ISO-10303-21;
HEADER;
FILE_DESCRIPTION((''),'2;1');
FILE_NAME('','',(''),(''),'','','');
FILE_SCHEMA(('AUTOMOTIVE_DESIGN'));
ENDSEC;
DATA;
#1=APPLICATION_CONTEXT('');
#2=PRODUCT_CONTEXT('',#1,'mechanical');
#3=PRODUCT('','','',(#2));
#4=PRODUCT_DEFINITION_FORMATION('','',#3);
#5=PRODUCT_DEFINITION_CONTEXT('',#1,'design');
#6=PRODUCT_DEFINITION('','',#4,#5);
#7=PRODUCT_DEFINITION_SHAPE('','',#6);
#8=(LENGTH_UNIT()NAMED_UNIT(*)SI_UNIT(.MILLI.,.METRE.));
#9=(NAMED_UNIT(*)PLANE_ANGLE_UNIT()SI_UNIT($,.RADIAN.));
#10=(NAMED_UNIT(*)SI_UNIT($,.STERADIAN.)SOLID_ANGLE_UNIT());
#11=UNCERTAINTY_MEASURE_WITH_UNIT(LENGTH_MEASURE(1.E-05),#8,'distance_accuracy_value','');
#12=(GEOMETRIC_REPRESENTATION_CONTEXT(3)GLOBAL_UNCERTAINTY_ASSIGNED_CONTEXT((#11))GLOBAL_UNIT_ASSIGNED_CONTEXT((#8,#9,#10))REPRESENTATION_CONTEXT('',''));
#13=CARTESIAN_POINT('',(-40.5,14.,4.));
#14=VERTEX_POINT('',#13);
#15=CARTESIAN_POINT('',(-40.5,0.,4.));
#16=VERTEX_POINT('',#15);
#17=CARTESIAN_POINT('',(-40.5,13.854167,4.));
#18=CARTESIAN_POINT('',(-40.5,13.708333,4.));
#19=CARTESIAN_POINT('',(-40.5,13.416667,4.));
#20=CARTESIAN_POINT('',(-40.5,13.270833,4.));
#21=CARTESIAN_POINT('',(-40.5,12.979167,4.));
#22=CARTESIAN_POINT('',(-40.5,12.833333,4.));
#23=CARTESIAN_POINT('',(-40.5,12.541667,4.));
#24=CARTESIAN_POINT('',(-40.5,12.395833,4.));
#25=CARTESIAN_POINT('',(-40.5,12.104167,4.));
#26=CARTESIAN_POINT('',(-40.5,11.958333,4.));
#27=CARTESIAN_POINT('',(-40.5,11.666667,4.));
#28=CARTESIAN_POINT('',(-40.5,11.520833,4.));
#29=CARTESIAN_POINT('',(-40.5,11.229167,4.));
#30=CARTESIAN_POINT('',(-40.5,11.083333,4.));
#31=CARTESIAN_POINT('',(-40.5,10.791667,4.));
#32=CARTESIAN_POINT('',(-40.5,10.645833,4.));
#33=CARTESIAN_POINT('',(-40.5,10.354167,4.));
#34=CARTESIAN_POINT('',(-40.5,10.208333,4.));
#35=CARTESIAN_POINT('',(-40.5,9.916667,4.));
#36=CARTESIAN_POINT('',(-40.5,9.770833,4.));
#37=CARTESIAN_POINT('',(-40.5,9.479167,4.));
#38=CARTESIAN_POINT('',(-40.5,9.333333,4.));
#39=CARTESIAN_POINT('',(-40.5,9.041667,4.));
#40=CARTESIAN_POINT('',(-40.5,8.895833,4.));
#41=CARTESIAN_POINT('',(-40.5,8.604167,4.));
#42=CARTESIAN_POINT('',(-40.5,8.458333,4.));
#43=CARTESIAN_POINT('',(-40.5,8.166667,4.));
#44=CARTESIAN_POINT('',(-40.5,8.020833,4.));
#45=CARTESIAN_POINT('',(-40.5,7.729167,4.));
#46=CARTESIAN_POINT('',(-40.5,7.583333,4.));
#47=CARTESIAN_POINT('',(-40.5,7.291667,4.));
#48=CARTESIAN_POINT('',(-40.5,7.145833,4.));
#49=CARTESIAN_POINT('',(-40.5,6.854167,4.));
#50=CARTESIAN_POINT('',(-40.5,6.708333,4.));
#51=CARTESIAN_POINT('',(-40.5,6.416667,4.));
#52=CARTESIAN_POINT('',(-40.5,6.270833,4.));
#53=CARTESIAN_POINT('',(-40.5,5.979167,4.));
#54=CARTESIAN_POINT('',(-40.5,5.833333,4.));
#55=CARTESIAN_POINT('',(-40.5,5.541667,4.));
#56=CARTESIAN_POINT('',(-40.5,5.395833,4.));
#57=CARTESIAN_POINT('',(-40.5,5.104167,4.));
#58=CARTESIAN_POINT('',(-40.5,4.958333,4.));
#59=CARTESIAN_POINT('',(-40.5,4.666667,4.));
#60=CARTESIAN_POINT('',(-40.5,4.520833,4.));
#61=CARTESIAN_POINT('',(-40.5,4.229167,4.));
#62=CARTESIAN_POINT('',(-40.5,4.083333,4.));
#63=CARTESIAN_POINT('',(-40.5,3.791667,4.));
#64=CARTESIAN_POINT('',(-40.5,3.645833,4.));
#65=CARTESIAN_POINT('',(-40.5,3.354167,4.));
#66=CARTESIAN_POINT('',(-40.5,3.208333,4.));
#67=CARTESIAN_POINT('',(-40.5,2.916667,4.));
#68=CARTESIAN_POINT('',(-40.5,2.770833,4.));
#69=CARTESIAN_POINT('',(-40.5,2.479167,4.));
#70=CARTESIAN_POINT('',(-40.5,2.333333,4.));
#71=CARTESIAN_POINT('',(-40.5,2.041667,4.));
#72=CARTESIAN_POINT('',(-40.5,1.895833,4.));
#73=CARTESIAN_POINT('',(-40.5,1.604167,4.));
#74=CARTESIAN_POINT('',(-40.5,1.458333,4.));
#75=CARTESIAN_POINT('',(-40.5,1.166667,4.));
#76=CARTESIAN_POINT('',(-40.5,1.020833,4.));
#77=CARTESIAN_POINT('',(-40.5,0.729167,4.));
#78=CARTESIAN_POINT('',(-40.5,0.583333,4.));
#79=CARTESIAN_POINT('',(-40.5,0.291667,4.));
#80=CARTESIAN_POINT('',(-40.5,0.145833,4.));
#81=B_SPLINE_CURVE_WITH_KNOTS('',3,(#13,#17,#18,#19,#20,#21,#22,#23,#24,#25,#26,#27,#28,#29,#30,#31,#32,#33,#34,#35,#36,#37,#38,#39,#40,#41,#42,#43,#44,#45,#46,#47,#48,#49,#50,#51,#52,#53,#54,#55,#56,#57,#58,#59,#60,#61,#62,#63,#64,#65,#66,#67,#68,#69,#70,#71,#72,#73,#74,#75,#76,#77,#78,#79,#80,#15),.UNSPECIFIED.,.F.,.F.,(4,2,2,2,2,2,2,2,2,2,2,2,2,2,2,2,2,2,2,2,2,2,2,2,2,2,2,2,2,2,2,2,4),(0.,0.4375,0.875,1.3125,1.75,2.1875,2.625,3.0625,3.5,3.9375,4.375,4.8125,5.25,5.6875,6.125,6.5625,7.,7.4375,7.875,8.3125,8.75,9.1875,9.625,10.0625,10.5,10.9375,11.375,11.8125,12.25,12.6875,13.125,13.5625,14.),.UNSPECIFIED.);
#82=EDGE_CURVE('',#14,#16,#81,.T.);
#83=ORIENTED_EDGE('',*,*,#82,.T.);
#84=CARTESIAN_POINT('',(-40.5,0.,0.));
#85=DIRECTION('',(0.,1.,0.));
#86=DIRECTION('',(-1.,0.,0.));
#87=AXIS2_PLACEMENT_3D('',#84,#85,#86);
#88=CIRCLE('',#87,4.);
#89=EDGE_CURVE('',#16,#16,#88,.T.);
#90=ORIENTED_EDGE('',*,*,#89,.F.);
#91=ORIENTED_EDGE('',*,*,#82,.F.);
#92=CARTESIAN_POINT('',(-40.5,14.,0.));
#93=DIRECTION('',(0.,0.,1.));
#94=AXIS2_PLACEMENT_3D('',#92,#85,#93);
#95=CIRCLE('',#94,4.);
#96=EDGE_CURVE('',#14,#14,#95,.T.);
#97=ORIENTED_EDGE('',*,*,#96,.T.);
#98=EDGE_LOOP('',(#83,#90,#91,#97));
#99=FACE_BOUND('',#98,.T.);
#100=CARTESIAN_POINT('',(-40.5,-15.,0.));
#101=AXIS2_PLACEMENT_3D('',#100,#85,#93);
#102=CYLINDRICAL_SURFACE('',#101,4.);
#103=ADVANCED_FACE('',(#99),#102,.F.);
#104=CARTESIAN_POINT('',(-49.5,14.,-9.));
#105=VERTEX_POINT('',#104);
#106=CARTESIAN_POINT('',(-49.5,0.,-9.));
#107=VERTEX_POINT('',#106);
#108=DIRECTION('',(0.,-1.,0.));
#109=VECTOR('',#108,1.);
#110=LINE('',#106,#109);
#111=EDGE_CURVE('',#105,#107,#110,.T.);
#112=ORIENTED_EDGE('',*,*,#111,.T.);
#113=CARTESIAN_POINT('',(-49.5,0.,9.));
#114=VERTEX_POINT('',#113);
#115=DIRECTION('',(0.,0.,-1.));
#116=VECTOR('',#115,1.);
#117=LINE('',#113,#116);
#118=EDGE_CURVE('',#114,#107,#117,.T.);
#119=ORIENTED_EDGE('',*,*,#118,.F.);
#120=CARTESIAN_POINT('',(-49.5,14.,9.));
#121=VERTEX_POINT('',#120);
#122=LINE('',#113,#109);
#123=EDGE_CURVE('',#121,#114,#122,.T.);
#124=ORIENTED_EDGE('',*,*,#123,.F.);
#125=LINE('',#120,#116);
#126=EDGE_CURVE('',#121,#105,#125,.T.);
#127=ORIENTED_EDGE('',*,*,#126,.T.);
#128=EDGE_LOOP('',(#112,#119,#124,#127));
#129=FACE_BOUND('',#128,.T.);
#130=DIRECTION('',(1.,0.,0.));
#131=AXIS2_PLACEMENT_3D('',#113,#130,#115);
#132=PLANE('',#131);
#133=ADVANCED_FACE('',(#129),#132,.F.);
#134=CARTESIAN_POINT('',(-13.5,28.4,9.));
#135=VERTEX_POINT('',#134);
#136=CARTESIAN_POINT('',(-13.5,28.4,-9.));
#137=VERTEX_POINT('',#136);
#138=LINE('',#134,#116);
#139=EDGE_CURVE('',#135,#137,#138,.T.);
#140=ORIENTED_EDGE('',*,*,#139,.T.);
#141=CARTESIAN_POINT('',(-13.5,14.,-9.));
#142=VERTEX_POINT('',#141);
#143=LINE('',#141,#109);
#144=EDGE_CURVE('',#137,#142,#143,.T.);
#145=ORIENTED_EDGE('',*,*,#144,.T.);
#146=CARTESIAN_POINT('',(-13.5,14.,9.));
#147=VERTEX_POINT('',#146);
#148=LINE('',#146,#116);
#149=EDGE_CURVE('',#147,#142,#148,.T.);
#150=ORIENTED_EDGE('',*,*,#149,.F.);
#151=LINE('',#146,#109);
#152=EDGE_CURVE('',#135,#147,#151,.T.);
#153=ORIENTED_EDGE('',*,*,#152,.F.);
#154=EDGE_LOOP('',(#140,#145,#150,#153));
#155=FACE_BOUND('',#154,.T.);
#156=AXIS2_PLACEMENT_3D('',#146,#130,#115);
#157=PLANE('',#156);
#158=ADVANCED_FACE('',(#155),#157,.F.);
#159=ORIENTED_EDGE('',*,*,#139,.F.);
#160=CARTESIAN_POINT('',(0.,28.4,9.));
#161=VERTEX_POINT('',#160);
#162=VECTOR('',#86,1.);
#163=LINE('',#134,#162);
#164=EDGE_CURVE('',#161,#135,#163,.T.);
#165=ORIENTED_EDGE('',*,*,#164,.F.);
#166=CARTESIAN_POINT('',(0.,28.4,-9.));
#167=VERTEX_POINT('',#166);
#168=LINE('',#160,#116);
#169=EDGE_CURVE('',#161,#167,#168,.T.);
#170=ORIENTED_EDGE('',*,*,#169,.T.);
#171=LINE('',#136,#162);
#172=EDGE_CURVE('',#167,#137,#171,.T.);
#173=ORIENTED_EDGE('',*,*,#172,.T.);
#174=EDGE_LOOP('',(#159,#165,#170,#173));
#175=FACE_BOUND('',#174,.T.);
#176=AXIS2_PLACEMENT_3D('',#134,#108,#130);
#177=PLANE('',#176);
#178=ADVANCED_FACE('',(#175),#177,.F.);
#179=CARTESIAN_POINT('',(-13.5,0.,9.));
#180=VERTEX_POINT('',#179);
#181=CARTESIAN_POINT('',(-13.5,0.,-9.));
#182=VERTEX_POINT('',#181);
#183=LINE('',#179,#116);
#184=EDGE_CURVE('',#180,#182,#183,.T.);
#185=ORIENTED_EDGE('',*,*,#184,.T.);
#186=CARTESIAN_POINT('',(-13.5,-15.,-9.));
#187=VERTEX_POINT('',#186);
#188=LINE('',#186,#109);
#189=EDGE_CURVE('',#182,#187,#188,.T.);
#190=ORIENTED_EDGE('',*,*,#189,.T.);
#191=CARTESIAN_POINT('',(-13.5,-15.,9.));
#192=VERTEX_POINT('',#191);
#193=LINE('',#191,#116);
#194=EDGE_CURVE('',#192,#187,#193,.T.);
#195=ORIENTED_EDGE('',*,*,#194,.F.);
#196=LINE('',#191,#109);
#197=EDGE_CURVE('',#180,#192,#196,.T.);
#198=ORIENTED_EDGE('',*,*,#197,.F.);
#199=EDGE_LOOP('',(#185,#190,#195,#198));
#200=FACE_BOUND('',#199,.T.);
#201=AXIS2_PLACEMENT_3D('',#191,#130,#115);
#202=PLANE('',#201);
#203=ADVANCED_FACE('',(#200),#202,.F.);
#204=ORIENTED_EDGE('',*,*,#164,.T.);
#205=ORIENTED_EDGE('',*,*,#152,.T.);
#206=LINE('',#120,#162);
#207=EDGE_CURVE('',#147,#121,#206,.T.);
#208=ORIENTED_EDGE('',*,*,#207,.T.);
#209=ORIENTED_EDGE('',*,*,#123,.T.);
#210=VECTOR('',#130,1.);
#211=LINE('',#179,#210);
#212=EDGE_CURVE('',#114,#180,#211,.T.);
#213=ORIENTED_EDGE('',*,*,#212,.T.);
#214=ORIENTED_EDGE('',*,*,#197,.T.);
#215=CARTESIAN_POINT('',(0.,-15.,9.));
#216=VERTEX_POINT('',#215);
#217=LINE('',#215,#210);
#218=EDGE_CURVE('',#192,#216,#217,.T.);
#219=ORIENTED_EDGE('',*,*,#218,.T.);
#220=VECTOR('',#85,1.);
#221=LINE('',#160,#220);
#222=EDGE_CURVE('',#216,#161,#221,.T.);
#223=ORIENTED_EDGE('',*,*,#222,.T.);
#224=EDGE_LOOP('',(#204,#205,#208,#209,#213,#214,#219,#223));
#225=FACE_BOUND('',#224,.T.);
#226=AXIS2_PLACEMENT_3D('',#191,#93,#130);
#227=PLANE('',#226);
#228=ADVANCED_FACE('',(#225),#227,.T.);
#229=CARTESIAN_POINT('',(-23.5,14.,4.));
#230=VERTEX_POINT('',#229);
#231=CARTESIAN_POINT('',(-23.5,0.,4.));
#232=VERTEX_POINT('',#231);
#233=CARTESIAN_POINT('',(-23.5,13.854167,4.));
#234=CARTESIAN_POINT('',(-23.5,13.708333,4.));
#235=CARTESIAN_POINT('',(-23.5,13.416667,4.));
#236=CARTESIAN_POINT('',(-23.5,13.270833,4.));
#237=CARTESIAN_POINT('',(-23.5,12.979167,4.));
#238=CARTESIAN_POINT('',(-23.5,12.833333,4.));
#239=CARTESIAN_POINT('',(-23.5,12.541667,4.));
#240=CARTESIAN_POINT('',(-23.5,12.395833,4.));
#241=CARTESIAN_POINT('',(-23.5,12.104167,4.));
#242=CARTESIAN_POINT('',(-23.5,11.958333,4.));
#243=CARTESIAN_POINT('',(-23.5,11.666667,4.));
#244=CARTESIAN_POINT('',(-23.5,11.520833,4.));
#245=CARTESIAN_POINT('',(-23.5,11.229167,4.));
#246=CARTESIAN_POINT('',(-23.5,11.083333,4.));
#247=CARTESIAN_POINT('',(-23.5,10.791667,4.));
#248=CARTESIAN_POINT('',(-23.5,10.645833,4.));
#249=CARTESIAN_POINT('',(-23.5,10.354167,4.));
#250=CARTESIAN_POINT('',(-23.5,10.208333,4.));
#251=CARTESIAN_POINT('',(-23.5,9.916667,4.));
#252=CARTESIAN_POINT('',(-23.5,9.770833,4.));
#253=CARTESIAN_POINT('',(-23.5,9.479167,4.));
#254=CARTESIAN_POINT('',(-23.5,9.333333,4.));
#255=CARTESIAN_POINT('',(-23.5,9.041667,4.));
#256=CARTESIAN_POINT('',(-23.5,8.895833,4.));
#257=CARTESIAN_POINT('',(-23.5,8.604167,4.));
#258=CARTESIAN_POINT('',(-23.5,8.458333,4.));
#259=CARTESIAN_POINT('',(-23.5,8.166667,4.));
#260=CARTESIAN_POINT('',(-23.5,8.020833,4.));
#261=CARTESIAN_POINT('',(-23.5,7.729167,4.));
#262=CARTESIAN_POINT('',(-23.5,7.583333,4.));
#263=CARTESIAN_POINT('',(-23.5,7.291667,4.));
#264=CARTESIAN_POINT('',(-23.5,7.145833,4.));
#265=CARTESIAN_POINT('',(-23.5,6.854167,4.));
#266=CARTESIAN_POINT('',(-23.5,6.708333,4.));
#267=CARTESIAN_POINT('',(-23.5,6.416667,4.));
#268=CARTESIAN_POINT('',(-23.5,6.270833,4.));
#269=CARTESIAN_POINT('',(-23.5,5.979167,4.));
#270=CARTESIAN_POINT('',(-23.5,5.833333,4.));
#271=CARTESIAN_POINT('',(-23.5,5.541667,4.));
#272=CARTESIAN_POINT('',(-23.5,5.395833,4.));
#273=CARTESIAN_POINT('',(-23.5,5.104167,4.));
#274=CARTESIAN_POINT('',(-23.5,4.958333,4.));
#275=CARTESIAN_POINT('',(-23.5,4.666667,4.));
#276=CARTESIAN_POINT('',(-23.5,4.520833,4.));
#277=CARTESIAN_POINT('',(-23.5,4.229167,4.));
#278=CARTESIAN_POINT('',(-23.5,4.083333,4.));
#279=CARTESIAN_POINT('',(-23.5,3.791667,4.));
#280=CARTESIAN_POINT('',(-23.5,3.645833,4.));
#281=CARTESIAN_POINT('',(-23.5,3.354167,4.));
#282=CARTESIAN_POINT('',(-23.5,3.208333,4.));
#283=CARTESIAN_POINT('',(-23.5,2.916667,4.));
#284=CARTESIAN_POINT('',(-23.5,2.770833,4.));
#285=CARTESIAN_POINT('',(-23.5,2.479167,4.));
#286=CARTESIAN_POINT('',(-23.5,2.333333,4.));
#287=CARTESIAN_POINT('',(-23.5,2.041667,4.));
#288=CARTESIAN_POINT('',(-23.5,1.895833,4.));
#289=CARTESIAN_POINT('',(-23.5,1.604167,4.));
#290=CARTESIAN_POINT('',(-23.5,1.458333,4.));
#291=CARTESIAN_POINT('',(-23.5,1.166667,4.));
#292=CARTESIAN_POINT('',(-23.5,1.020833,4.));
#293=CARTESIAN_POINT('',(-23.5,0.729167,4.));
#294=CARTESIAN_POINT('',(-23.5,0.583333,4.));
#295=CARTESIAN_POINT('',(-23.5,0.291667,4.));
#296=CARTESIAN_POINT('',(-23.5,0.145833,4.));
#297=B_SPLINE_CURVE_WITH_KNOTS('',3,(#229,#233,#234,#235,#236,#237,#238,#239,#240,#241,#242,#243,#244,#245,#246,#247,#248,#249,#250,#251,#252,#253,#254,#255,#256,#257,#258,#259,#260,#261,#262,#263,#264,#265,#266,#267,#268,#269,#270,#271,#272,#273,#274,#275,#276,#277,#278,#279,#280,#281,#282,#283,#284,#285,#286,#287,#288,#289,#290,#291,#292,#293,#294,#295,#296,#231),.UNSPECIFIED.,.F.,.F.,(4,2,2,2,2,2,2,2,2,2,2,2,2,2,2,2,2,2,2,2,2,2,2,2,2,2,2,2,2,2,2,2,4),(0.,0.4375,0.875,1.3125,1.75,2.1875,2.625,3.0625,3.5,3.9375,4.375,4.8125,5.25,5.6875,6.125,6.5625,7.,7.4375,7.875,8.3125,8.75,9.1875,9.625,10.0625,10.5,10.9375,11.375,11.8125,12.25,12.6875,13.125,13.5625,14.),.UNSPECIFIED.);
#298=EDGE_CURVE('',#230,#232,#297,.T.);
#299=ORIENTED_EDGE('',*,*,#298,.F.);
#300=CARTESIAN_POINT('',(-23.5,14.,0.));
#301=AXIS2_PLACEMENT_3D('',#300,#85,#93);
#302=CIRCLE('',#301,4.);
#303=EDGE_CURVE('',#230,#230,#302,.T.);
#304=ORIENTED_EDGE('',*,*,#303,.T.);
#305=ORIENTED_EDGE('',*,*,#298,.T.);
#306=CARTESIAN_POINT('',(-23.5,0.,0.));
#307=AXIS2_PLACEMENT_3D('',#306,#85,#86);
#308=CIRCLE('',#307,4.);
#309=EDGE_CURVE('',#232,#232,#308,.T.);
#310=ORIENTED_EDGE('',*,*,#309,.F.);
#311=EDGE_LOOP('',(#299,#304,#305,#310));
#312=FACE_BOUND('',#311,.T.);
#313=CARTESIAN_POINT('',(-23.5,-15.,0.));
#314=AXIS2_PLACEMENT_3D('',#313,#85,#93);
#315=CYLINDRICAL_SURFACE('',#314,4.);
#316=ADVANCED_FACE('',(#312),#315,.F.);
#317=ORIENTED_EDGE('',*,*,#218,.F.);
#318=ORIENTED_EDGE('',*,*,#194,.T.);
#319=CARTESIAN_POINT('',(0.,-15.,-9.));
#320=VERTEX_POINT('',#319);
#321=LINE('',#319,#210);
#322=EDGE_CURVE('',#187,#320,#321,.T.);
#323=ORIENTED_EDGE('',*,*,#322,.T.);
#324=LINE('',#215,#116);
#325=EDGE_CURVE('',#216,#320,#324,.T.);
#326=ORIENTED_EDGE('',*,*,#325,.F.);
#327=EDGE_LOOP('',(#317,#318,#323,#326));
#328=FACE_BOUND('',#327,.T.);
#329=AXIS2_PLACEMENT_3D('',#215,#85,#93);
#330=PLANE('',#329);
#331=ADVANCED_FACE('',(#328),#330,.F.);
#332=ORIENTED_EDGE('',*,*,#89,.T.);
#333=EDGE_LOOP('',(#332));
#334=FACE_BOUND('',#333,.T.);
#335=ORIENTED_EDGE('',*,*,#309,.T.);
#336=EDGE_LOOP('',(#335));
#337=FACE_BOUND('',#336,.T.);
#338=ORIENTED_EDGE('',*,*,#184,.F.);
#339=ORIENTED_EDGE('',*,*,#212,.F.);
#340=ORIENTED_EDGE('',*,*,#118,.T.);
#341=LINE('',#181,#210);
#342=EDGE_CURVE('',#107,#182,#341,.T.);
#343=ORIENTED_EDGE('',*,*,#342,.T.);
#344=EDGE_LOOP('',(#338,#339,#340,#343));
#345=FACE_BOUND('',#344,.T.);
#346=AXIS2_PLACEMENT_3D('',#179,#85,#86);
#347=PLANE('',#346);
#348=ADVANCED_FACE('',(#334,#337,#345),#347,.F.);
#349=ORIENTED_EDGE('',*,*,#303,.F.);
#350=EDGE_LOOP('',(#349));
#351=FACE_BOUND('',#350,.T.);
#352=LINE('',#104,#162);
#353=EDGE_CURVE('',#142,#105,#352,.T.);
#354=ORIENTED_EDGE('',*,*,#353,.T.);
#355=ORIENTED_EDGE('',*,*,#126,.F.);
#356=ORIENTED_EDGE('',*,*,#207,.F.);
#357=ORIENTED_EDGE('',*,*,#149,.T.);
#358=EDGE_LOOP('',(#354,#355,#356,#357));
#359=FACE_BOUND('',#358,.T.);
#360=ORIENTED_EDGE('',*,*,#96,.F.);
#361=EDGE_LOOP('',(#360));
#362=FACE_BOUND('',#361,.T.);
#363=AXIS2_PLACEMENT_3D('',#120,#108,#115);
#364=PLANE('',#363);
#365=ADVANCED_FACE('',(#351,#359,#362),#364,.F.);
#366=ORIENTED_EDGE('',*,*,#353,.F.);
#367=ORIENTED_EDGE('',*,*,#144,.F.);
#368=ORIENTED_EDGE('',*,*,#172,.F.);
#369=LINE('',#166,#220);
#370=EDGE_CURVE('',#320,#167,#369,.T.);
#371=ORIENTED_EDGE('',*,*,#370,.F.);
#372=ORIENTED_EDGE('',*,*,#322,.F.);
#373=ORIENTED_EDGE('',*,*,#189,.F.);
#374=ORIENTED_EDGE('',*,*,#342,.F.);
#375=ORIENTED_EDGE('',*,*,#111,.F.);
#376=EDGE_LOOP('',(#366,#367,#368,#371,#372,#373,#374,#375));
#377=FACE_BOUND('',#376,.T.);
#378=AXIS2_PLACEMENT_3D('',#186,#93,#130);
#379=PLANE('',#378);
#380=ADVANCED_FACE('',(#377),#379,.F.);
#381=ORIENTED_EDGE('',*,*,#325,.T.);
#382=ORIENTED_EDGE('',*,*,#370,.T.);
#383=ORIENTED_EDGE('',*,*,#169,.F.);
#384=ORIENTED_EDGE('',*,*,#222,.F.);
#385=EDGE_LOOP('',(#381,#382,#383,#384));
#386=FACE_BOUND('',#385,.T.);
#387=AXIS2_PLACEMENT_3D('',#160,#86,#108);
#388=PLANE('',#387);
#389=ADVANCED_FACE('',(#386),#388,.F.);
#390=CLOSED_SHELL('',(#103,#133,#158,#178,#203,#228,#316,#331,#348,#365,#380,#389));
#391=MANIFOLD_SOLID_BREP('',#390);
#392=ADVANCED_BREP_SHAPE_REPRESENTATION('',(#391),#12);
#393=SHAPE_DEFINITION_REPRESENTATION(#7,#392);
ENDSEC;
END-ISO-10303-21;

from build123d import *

# Parameters (mm, degrees)
BODY_DEPTH   = 9
SK_HOLE_V_R  = 4
HOLE_V_DEPTH = 59.071077138


with BuildPart() as part:
    # sk-body → body (new, symmetric)
    with BuildSketch(Plane.XY):
        Polygon((-13.5, 28.4), (0, 28.4), (0, -15), (-13.5, -15), (-13.5, 0), (-49.5, 0), (-49.5, 14), (-13.5, 14), align=None)
    extrude(amount=BODY_DEPTH, both=True)

    # sk-hole_v → hole_v (cut, through all)
    with BuildSketch(Plane(origin=(0, 14, 0), x_dir=(-1, 0, 0), z_dir=(0, 1, 0))):
        with Locations(Location((40.5, 0, 0), (0, 0, 90))):
            Circle(SK_HOLE_V_R)
        with Locations(Location((23.5, 0, 0), (0, 0, 90))):
            Circle(SK_HOLE_V_R)
    extrude(amount=-HOLE_V_DEPTH, mode=Mode.SUBTRACT)


solid = part.part
